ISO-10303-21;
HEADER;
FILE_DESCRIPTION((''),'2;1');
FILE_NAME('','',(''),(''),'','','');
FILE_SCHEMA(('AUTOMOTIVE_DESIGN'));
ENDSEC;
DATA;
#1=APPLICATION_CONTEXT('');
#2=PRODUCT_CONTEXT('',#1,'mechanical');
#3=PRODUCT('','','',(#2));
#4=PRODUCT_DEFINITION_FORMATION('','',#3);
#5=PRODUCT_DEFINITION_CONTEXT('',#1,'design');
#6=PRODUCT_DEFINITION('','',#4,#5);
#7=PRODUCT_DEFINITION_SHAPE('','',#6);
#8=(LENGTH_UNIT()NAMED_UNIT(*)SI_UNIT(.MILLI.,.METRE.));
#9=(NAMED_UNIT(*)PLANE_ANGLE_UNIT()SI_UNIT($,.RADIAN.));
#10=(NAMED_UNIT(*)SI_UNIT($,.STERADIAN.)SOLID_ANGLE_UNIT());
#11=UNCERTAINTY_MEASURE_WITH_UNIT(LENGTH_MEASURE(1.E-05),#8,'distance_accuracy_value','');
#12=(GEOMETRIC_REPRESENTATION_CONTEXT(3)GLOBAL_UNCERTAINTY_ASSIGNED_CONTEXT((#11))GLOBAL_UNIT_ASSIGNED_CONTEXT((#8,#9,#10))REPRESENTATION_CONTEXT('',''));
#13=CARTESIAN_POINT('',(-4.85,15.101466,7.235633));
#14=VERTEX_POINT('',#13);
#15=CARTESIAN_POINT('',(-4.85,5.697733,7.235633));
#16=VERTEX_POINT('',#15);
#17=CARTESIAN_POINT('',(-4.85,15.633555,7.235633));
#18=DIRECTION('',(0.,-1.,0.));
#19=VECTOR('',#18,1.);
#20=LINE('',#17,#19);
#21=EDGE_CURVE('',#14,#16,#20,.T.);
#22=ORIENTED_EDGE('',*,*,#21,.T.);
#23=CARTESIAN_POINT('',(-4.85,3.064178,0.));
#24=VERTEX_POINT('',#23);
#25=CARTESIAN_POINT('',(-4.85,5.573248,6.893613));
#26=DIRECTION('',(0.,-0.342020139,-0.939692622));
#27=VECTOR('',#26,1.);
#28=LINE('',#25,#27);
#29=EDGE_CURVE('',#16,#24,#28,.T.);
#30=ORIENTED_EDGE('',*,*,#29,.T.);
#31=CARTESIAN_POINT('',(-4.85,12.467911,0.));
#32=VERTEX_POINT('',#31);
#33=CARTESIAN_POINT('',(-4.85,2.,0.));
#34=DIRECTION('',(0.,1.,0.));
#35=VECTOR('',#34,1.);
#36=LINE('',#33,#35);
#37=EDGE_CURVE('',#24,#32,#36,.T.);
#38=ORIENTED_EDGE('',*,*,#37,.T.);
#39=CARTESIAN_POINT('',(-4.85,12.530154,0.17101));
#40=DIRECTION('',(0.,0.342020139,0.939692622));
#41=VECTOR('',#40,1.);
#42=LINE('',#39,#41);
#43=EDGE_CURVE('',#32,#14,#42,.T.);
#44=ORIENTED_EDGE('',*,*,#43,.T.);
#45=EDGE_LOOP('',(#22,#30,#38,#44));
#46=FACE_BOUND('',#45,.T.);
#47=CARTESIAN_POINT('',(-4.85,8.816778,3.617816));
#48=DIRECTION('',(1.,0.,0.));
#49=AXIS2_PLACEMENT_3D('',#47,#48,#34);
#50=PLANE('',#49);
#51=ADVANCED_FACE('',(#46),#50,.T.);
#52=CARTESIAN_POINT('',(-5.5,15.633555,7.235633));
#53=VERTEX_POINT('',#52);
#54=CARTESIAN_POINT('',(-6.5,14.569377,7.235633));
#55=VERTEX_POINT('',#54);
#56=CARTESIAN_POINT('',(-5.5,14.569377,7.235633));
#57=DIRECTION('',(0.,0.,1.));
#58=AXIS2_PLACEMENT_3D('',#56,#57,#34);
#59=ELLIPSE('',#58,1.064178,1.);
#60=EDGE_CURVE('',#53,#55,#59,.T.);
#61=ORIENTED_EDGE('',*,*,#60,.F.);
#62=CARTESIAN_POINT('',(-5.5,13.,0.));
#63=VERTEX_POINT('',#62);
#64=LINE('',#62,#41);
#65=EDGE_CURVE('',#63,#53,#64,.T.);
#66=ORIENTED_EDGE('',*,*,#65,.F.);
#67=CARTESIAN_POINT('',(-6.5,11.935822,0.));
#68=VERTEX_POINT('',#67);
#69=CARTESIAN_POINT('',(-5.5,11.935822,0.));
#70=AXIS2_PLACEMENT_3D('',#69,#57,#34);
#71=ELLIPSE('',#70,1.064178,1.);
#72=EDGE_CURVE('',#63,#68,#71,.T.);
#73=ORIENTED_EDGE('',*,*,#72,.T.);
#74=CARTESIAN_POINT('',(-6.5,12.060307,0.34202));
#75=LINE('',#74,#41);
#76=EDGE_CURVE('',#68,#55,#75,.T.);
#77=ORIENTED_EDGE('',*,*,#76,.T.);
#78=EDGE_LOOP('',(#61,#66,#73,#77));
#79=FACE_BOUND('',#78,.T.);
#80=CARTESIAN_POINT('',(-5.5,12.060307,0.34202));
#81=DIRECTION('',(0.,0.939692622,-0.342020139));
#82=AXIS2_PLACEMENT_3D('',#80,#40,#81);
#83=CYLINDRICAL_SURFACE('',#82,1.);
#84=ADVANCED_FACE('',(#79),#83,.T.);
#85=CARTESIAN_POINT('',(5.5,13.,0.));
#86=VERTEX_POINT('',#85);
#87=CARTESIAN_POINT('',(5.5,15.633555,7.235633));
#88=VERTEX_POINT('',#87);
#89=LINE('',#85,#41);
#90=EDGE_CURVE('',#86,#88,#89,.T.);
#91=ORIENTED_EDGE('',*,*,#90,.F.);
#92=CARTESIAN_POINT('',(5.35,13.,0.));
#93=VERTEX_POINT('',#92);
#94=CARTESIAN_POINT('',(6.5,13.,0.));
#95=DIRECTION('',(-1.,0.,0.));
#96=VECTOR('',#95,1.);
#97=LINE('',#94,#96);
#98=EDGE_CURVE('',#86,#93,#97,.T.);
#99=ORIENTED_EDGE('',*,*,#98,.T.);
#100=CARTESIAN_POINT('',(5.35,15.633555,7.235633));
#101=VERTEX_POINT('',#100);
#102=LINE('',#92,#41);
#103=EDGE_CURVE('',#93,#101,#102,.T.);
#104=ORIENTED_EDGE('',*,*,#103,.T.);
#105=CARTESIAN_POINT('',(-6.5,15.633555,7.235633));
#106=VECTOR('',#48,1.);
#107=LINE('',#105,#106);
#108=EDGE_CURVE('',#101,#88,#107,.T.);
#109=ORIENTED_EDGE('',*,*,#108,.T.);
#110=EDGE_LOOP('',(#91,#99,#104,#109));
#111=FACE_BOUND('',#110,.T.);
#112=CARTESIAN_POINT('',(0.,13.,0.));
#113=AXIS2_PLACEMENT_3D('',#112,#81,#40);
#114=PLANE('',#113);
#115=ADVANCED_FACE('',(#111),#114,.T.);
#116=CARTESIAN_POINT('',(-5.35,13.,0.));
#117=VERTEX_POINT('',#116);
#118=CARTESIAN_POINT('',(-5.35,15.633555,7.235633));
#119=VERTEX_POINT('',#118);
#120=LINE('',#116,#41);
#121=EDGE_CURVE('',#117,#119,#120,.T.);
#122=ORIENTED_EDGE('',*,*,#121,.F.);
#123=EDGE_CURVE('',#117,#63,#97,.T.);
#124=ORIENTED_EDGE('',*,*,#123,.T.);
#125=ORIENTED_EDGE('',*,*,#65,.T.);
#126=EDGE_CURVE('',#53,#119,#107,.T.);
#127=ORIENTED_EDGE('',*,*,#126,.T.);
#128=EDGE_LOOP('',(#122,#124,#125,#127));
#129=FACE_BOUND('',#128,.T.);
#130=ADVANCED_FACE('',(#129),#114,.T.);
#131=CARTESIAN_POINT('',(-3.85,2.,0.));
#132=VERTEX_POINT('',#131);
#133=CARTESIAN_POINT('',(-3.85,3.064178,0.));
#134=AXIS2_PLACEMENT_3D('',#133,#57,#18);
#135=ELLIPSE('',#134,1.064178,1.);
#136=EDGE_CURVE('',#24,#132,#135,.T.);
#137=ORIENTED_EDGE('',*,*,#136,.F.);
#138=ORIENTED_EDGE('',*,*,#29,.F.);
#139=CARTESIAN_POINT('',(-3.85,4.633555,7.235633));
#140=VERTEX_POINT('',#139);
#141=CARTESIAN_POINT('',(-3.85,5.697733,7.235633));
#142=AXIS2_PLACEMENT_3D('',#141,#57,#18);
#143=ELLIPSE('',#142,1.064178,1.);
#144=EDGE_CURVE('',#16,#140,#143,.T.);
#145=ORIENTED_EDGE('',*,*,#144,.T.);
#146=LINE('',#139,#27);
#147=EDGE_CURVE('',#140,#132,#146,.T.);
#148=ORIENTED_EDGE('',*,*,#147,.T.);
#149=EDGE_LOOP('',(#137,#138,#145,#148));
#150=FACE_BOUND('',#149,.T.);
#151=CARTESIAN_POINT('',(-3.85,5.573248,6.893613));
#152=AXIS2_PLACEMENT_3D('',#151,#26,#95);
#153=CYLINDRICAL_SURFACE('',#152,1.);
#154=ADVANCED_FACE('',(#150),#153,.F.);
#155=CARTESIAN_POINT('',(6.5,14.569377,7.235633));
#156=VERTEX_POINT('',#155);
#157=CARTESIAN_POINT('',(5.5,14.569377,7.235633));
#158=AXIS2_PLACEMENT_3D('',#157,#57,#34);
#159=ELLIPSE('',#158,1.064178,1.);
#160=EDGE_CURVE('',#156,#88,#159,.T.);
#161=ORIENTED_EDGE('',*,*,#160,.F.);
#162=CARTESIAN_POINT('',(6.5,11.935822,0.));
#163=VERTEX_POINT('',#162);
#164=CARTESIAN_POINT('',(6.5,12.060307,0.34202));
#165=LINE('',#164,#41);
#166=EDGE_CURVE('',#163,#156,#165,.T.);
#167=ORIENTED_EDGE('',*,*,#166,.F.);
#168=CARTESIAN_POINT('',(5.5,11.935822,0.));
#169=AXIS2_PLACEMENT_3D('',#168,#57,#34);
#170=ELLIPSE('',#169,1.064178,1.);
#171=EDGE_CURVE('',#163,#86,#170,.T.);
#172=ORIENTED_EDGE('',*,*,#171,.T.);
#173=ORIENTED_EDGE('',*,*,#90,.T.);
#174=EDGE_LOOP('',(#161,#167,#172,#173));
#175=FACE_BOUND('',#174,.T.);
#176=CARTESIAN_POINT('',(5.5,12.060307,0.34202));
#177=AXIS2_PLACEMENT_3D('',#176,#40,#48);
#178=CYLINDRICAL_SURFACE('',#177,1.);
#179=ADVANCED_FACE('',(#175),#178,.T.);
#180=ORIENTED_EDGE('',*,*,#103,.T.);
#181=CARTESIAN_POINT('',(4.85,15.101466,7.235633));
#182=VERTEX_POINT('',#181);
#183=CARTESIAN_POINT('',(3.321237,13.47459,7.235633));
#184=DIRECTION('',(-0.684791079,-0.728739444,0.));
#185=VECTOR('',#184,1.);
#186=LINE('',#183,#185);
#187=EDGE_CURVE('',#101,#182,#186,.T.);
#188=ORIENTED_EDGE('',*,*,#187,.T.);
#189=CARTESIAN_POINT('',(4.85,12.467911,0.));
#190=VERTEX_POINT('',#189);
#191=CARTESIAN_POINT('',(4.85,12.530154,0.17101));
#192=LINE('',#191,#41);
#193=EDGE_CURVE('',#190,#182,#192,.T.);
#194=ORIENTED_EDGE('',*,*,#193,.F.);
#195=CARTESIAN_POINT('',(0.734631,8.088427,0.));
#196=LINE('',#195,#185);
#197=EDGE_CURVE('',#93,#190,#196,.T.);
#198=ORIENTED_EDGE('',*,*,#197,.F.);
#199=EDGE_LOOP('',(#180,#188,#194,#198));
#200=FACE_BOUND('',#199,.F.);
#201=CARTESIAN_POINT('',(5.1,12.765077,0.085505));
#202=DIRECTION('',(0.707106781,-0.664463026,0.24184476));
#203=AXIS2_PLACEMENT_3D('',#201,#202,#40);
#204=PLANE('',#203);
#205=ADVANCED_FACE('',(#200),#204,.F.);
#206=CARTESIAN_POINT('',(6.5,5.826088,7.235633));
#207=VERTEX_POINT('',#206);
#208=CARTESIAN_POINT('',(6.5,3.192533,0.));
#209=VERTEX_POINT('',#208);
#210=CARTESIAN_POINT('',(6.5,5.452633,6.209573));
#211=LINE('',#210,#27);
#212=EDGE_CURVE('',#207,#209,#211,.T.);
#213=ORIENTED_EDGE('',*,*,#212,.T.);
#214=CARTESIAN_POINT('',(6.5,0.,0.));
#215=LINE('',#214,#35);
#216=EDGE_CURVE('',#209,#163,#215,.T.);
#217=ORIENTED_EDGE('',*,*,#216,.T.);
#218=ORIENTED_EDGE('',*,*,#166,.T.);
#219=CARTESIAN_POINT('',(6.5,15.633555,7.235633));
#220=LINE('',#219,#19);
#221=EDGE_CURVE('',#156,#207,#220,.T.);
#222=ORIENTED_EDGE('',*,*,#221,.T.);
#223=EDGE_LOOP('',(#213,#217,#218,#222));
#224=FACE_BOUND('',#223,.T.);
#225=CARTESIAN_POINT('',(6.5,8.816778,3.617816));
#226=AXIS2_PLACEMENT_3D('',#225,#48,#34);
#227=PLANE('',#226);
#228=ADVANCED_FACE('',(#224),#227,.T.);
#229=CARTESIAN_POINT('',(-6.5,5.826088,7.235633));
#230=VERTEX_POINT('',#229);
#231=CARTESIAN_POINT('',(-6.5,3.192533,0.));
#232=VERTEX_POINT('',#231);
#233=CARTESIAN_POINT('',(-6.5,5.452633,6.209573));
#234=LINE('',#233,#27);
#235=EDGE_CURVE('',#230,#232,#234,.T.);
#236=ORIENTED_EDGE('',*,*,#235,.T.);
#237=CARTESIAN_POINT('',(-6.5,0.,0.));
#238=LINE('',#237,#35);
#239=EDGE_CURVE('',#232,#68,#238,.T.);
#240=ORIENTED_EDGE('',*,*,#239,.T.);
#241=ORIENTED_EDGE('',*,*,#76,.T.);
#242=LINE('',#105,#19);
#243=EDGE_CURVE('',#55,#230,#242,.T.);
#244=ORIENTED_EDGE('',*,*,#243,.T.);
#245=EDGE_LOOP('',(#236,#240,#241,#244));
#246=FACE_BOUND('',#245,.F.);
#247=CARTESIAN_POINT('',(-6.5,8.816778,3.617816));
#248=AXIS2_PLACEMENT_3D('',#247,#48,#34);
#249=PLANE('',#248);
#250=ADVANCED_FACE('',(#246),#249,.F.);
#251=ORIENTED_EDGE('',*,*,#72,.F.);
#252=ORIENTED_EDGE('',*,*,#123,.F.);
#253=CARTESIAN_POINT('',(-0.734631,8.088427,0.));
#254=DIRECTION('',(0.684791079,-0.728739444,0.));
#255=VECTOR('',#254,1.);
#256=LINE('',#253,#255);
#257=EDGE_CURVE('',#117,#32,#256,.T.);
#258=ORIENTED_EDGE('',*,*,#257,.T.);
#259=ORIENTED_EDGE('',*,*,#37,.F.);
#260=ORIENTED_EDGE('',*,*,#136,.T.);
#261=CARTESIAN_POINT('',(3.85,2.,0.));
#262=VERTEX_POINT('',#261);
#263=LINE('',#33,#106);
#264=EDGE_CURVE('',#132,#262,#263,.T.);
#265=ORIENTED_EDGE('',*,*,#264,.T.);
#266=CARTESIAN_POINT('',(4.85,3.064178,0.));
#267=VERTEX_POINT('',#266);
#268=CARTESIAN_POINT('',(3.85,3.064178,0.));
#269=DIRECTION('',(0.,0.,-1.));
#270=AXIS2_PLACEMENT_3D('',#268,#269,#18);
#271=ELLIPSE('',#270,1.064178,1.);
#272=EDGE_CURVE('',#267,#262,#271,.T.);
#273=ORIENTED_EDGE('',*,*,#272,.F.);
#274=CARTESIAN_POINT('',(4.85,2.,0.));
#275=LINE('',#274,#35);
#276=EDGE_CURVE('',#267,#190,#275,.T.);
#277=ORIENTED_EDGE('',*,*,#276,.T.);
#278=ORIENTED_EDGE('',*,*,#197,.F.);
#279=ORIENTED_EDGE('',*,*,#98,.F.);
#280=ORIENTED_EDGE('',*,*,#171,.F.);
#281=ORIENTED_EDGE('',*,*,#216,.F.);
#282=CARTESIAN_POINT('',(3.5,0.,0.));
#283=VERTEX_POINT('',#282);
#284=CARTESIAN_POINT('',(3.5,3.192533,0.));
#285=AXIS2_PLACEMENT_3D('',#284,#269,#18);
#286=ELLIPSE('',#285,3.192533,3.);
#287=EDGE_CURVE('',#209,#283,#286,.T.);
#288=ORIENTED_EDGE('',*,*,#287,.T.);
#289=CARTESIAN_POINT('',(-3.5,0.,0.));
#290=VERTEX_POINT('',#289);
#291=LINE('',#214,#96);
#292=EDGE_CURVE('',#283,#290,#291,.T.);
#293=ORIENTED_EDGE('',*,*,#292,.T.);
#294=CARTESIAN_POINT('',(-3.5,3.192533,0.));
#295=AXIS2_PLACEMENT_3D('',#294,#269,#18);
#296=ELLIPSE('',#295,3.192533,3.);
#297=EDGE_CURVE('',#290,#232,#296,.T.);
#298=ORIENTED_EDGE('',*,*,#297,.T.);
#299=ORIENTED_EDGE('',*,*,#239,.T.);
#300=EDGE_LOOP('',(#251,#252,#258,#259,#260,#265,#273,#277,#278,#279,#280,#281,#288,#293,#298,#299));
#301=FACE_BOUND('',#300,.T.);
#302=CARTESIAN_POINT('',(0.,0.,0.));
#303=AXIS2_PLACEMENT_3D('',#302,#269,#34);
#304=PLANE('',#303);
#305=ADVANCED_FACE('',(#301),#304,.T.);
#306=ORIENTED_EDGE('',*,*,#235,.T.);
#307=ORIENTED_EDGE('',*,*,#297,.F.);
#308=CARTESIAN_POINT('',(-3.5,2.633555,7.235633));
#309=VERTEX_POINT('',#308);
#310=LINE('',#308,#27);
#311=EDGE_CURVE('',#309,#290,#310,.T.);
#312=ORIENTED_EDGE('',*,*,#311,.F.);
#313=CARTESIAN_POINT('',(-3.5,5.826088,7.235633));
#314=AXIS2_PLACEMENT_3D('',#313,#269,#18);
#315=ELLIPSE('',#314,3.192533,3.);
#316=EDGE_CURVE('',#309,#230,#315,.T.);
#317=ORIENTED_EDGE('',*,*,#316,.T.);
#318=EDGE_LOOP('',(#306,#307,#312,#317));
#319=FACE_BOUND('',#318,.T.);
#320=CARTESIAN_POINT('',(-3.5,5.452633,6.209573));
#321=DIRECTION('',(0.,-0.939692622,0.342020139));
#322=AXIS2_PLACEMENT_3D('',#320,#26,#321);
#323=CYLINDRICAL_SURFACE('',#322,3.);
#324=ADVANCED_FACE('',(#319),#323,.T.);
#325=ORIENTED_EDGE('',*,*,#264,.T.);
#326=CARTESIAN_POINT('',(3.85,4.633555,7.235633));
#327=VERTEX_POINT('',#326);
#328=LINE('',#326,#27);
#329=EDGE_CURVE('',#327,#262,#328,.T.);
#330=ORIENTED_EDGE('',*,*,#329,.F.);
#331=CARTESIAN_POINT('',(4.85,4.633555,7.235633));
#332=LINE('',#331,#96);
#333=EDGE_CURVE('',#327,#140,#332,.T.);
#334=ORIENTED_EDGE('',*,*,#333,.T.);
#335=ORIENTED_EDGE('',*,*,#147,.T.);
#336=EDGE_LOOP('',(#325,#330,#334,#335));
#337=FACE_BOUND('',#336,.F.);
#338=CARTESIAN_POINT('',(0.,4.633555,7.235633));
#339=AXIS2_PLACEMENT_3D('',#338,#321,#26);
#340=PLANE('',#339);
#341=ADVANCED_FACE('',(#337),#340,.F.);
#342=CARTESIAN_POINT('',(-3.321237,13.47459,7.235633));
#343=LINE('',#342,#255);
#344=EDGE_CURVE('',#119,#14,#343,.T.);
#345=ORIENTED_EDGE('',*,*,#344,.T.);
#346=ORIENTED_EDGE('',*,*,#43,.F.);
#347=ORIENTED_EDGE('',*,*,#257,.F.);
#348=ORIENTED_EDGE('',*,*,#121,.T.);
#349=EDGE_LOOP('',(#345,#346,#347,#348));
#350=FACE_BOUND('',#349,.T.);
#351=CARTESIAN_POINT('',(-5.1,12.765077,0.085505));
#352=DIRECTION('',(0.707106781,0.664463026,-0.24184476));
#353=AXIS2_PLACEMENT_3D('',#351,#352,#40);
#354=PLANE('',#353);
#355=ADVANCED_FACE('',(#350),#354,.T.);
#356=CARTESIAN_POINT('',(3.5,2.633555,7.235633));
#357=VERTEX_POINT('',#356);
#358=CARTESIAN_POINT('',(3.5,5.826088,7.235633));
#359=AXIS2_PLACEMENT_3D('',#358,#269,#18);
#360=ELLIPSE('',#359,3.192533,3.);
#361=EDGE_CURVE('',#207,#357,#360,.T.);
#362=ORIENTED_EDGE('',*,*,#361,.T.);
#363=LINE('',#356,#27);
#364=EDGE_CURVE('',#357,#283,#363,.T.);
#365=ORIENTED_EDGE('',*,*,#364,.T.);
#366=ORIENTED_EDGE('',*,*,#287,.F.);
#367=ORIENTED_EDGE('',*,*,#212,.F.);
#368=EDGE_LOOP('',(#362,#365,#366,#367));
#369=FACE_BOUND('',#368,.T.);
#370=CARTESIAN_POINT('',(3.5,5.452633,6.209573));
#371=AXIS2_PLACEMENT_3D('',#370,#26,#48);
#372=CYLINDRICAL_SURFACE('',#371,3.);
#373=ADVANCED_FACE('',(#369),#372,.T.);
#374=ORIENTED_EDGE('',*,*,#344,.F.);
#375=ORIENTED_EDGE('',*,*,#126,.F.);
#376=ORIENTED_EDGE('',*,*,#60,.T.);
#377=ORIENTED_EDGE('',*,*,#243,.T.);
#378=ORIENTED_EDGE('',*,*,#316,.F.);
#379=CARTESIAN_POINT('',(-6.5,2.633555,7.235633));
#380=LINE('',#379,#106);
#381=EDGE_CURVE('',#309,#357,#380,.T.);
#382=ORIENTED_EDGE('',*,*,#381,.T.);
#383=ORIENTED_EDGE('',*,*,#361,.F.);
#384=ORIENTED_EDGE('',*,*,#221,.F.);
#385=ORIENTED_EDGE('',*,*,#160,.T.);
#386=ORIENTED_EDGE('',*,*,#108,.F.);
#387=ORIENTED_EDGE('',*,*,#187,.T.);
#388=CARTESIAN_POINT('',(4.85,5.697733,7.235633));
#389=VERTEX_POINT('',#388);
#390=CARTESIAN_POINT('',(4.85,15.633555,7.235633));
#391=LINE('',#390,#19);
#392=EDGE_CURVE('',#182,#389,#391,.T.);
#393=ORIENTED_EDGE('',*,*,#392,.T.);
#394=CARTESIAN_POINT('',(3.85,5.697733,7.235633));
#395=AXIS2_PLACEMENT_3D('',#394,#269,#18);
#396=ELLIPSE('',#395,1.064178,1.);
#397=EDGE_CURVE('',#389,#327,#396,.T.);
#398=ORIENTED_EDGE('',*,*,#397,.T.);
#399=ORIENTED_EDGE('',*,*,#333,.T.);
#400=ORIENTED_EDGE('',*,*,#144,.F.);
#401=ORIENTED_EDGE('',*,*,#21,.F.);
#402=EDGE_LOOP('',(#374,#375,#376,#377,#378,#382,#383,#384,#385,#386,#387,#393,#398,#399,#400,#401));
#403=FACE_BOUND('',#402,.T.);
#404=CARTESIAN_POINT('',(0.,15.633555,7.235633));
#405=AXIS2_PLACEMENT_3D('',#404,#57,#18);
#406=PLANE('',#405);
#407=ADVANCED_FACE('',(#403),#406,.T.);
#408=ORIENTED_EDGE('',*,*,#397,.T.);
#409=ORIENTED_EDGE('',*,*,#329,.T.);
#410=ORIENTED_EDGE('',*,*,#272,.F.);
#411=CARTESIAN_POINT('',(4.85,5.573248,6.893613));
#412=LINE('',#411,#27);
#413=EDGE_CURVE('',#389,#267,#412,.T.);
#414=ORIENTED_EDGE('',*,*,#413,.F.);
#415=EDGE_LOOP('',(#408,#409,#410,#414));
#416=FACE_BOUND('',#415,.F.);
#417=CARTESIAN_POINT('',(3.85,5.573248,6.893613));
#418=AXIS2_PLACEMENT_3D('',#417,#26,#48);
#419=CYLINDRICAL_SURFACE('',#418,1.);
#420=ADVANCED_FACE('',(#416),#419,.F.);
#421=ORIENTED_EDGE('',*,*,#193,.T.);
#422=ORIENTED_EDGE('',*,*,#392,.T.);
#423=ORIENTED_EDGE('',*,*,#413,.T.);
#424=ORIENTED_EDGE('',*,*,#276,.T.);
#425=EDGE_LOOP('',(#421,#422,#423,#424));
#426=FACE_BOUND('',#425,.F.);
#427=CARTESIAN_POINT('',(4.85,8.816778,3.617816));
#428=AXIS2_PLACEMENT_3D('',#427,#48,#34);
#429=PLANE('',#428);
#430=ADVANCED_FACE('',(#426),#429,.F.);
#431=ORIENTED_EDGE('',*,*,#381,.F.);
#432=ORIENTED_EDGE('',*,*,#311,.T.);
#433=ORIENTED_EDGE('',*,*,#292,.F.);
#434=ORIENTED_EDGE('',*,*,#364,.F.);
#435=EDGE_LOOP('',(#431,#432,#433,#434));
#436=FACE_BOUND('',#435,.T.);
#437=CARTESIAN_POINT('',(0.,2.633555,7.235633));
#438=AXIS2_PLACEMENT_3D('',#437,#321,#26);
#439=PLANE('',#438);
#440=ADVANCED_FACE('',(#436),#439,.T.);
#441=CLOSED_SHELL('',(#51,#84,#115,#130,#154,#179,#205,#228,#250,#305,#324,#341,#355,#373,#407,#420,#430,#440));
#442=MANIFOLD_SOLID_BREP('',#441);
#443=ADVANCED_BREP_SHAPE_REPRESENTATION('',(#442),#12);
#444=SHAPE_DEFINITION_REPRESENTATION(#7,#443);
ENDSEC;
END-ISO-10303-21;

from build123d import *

# Parameters (mm, degrees)
F1_DEPTH = 6.5
F2_DEPTH = 4.85
F3_R     = 1
F4_SIZE  = 0.5
F5_R     = 3


with BuildPart() as f1:
    # F0 (on Right) → F1 (new body, symmetric)
    with BuildSketch(Plane.YZ):
        Polygon((4.633555, 7.235633), (2, 0), (13, 0), (15.633555, 7.235633), align=None)
        Polygon((2.633555, 7.235633), (0, 0), (2, 0), (4.633555, 7.235633), align=None)
    extrude(amount=F1_DEPTH, both=True)

    # F0 (on Right) → F2 (cut, symmetric)
    with BuildSketch(Plane.YZ):
        Polygon((4.633555, 7.235633), (2, 0), (13, 0), (15.633555, 7.235633), align=None)
    extrude(amount=F2_DEPTH, both=True, mode=Mode.SUBTRACT)

    # F3
    f3_edges = [f1.edges().sort_by_distance(p)[0] for p in [
        (4.85, 3.316778, 3.617817),
        (-4.85, 3.316778, 3.617817),
        (-6.5, 14.316778, 3.617817),
        (6.5, 14.316778, 3.617817),
    ]]
    fillet(f3_edges, radius=F3_R)

    # F4
    f4_edges = [f1.edges().sort_by_distance(p)[0] for p in [
        (4.85, 14.316778, 3.617817),
        (-4.85, 14.316778, 3.617817),
    ]]
    chamfer(f4_edges, length=F4_SIZE)

    # F5
    f5_edges = [f1.edges().sort_by_distance(p)[0] for p in [
        (6.5, 1.316778, 3.617817),
        (-6.5, 1.316778, 3.617817),
    ]]
    fillet(f5_edges, radius=F5_R)


solid = f1.part
